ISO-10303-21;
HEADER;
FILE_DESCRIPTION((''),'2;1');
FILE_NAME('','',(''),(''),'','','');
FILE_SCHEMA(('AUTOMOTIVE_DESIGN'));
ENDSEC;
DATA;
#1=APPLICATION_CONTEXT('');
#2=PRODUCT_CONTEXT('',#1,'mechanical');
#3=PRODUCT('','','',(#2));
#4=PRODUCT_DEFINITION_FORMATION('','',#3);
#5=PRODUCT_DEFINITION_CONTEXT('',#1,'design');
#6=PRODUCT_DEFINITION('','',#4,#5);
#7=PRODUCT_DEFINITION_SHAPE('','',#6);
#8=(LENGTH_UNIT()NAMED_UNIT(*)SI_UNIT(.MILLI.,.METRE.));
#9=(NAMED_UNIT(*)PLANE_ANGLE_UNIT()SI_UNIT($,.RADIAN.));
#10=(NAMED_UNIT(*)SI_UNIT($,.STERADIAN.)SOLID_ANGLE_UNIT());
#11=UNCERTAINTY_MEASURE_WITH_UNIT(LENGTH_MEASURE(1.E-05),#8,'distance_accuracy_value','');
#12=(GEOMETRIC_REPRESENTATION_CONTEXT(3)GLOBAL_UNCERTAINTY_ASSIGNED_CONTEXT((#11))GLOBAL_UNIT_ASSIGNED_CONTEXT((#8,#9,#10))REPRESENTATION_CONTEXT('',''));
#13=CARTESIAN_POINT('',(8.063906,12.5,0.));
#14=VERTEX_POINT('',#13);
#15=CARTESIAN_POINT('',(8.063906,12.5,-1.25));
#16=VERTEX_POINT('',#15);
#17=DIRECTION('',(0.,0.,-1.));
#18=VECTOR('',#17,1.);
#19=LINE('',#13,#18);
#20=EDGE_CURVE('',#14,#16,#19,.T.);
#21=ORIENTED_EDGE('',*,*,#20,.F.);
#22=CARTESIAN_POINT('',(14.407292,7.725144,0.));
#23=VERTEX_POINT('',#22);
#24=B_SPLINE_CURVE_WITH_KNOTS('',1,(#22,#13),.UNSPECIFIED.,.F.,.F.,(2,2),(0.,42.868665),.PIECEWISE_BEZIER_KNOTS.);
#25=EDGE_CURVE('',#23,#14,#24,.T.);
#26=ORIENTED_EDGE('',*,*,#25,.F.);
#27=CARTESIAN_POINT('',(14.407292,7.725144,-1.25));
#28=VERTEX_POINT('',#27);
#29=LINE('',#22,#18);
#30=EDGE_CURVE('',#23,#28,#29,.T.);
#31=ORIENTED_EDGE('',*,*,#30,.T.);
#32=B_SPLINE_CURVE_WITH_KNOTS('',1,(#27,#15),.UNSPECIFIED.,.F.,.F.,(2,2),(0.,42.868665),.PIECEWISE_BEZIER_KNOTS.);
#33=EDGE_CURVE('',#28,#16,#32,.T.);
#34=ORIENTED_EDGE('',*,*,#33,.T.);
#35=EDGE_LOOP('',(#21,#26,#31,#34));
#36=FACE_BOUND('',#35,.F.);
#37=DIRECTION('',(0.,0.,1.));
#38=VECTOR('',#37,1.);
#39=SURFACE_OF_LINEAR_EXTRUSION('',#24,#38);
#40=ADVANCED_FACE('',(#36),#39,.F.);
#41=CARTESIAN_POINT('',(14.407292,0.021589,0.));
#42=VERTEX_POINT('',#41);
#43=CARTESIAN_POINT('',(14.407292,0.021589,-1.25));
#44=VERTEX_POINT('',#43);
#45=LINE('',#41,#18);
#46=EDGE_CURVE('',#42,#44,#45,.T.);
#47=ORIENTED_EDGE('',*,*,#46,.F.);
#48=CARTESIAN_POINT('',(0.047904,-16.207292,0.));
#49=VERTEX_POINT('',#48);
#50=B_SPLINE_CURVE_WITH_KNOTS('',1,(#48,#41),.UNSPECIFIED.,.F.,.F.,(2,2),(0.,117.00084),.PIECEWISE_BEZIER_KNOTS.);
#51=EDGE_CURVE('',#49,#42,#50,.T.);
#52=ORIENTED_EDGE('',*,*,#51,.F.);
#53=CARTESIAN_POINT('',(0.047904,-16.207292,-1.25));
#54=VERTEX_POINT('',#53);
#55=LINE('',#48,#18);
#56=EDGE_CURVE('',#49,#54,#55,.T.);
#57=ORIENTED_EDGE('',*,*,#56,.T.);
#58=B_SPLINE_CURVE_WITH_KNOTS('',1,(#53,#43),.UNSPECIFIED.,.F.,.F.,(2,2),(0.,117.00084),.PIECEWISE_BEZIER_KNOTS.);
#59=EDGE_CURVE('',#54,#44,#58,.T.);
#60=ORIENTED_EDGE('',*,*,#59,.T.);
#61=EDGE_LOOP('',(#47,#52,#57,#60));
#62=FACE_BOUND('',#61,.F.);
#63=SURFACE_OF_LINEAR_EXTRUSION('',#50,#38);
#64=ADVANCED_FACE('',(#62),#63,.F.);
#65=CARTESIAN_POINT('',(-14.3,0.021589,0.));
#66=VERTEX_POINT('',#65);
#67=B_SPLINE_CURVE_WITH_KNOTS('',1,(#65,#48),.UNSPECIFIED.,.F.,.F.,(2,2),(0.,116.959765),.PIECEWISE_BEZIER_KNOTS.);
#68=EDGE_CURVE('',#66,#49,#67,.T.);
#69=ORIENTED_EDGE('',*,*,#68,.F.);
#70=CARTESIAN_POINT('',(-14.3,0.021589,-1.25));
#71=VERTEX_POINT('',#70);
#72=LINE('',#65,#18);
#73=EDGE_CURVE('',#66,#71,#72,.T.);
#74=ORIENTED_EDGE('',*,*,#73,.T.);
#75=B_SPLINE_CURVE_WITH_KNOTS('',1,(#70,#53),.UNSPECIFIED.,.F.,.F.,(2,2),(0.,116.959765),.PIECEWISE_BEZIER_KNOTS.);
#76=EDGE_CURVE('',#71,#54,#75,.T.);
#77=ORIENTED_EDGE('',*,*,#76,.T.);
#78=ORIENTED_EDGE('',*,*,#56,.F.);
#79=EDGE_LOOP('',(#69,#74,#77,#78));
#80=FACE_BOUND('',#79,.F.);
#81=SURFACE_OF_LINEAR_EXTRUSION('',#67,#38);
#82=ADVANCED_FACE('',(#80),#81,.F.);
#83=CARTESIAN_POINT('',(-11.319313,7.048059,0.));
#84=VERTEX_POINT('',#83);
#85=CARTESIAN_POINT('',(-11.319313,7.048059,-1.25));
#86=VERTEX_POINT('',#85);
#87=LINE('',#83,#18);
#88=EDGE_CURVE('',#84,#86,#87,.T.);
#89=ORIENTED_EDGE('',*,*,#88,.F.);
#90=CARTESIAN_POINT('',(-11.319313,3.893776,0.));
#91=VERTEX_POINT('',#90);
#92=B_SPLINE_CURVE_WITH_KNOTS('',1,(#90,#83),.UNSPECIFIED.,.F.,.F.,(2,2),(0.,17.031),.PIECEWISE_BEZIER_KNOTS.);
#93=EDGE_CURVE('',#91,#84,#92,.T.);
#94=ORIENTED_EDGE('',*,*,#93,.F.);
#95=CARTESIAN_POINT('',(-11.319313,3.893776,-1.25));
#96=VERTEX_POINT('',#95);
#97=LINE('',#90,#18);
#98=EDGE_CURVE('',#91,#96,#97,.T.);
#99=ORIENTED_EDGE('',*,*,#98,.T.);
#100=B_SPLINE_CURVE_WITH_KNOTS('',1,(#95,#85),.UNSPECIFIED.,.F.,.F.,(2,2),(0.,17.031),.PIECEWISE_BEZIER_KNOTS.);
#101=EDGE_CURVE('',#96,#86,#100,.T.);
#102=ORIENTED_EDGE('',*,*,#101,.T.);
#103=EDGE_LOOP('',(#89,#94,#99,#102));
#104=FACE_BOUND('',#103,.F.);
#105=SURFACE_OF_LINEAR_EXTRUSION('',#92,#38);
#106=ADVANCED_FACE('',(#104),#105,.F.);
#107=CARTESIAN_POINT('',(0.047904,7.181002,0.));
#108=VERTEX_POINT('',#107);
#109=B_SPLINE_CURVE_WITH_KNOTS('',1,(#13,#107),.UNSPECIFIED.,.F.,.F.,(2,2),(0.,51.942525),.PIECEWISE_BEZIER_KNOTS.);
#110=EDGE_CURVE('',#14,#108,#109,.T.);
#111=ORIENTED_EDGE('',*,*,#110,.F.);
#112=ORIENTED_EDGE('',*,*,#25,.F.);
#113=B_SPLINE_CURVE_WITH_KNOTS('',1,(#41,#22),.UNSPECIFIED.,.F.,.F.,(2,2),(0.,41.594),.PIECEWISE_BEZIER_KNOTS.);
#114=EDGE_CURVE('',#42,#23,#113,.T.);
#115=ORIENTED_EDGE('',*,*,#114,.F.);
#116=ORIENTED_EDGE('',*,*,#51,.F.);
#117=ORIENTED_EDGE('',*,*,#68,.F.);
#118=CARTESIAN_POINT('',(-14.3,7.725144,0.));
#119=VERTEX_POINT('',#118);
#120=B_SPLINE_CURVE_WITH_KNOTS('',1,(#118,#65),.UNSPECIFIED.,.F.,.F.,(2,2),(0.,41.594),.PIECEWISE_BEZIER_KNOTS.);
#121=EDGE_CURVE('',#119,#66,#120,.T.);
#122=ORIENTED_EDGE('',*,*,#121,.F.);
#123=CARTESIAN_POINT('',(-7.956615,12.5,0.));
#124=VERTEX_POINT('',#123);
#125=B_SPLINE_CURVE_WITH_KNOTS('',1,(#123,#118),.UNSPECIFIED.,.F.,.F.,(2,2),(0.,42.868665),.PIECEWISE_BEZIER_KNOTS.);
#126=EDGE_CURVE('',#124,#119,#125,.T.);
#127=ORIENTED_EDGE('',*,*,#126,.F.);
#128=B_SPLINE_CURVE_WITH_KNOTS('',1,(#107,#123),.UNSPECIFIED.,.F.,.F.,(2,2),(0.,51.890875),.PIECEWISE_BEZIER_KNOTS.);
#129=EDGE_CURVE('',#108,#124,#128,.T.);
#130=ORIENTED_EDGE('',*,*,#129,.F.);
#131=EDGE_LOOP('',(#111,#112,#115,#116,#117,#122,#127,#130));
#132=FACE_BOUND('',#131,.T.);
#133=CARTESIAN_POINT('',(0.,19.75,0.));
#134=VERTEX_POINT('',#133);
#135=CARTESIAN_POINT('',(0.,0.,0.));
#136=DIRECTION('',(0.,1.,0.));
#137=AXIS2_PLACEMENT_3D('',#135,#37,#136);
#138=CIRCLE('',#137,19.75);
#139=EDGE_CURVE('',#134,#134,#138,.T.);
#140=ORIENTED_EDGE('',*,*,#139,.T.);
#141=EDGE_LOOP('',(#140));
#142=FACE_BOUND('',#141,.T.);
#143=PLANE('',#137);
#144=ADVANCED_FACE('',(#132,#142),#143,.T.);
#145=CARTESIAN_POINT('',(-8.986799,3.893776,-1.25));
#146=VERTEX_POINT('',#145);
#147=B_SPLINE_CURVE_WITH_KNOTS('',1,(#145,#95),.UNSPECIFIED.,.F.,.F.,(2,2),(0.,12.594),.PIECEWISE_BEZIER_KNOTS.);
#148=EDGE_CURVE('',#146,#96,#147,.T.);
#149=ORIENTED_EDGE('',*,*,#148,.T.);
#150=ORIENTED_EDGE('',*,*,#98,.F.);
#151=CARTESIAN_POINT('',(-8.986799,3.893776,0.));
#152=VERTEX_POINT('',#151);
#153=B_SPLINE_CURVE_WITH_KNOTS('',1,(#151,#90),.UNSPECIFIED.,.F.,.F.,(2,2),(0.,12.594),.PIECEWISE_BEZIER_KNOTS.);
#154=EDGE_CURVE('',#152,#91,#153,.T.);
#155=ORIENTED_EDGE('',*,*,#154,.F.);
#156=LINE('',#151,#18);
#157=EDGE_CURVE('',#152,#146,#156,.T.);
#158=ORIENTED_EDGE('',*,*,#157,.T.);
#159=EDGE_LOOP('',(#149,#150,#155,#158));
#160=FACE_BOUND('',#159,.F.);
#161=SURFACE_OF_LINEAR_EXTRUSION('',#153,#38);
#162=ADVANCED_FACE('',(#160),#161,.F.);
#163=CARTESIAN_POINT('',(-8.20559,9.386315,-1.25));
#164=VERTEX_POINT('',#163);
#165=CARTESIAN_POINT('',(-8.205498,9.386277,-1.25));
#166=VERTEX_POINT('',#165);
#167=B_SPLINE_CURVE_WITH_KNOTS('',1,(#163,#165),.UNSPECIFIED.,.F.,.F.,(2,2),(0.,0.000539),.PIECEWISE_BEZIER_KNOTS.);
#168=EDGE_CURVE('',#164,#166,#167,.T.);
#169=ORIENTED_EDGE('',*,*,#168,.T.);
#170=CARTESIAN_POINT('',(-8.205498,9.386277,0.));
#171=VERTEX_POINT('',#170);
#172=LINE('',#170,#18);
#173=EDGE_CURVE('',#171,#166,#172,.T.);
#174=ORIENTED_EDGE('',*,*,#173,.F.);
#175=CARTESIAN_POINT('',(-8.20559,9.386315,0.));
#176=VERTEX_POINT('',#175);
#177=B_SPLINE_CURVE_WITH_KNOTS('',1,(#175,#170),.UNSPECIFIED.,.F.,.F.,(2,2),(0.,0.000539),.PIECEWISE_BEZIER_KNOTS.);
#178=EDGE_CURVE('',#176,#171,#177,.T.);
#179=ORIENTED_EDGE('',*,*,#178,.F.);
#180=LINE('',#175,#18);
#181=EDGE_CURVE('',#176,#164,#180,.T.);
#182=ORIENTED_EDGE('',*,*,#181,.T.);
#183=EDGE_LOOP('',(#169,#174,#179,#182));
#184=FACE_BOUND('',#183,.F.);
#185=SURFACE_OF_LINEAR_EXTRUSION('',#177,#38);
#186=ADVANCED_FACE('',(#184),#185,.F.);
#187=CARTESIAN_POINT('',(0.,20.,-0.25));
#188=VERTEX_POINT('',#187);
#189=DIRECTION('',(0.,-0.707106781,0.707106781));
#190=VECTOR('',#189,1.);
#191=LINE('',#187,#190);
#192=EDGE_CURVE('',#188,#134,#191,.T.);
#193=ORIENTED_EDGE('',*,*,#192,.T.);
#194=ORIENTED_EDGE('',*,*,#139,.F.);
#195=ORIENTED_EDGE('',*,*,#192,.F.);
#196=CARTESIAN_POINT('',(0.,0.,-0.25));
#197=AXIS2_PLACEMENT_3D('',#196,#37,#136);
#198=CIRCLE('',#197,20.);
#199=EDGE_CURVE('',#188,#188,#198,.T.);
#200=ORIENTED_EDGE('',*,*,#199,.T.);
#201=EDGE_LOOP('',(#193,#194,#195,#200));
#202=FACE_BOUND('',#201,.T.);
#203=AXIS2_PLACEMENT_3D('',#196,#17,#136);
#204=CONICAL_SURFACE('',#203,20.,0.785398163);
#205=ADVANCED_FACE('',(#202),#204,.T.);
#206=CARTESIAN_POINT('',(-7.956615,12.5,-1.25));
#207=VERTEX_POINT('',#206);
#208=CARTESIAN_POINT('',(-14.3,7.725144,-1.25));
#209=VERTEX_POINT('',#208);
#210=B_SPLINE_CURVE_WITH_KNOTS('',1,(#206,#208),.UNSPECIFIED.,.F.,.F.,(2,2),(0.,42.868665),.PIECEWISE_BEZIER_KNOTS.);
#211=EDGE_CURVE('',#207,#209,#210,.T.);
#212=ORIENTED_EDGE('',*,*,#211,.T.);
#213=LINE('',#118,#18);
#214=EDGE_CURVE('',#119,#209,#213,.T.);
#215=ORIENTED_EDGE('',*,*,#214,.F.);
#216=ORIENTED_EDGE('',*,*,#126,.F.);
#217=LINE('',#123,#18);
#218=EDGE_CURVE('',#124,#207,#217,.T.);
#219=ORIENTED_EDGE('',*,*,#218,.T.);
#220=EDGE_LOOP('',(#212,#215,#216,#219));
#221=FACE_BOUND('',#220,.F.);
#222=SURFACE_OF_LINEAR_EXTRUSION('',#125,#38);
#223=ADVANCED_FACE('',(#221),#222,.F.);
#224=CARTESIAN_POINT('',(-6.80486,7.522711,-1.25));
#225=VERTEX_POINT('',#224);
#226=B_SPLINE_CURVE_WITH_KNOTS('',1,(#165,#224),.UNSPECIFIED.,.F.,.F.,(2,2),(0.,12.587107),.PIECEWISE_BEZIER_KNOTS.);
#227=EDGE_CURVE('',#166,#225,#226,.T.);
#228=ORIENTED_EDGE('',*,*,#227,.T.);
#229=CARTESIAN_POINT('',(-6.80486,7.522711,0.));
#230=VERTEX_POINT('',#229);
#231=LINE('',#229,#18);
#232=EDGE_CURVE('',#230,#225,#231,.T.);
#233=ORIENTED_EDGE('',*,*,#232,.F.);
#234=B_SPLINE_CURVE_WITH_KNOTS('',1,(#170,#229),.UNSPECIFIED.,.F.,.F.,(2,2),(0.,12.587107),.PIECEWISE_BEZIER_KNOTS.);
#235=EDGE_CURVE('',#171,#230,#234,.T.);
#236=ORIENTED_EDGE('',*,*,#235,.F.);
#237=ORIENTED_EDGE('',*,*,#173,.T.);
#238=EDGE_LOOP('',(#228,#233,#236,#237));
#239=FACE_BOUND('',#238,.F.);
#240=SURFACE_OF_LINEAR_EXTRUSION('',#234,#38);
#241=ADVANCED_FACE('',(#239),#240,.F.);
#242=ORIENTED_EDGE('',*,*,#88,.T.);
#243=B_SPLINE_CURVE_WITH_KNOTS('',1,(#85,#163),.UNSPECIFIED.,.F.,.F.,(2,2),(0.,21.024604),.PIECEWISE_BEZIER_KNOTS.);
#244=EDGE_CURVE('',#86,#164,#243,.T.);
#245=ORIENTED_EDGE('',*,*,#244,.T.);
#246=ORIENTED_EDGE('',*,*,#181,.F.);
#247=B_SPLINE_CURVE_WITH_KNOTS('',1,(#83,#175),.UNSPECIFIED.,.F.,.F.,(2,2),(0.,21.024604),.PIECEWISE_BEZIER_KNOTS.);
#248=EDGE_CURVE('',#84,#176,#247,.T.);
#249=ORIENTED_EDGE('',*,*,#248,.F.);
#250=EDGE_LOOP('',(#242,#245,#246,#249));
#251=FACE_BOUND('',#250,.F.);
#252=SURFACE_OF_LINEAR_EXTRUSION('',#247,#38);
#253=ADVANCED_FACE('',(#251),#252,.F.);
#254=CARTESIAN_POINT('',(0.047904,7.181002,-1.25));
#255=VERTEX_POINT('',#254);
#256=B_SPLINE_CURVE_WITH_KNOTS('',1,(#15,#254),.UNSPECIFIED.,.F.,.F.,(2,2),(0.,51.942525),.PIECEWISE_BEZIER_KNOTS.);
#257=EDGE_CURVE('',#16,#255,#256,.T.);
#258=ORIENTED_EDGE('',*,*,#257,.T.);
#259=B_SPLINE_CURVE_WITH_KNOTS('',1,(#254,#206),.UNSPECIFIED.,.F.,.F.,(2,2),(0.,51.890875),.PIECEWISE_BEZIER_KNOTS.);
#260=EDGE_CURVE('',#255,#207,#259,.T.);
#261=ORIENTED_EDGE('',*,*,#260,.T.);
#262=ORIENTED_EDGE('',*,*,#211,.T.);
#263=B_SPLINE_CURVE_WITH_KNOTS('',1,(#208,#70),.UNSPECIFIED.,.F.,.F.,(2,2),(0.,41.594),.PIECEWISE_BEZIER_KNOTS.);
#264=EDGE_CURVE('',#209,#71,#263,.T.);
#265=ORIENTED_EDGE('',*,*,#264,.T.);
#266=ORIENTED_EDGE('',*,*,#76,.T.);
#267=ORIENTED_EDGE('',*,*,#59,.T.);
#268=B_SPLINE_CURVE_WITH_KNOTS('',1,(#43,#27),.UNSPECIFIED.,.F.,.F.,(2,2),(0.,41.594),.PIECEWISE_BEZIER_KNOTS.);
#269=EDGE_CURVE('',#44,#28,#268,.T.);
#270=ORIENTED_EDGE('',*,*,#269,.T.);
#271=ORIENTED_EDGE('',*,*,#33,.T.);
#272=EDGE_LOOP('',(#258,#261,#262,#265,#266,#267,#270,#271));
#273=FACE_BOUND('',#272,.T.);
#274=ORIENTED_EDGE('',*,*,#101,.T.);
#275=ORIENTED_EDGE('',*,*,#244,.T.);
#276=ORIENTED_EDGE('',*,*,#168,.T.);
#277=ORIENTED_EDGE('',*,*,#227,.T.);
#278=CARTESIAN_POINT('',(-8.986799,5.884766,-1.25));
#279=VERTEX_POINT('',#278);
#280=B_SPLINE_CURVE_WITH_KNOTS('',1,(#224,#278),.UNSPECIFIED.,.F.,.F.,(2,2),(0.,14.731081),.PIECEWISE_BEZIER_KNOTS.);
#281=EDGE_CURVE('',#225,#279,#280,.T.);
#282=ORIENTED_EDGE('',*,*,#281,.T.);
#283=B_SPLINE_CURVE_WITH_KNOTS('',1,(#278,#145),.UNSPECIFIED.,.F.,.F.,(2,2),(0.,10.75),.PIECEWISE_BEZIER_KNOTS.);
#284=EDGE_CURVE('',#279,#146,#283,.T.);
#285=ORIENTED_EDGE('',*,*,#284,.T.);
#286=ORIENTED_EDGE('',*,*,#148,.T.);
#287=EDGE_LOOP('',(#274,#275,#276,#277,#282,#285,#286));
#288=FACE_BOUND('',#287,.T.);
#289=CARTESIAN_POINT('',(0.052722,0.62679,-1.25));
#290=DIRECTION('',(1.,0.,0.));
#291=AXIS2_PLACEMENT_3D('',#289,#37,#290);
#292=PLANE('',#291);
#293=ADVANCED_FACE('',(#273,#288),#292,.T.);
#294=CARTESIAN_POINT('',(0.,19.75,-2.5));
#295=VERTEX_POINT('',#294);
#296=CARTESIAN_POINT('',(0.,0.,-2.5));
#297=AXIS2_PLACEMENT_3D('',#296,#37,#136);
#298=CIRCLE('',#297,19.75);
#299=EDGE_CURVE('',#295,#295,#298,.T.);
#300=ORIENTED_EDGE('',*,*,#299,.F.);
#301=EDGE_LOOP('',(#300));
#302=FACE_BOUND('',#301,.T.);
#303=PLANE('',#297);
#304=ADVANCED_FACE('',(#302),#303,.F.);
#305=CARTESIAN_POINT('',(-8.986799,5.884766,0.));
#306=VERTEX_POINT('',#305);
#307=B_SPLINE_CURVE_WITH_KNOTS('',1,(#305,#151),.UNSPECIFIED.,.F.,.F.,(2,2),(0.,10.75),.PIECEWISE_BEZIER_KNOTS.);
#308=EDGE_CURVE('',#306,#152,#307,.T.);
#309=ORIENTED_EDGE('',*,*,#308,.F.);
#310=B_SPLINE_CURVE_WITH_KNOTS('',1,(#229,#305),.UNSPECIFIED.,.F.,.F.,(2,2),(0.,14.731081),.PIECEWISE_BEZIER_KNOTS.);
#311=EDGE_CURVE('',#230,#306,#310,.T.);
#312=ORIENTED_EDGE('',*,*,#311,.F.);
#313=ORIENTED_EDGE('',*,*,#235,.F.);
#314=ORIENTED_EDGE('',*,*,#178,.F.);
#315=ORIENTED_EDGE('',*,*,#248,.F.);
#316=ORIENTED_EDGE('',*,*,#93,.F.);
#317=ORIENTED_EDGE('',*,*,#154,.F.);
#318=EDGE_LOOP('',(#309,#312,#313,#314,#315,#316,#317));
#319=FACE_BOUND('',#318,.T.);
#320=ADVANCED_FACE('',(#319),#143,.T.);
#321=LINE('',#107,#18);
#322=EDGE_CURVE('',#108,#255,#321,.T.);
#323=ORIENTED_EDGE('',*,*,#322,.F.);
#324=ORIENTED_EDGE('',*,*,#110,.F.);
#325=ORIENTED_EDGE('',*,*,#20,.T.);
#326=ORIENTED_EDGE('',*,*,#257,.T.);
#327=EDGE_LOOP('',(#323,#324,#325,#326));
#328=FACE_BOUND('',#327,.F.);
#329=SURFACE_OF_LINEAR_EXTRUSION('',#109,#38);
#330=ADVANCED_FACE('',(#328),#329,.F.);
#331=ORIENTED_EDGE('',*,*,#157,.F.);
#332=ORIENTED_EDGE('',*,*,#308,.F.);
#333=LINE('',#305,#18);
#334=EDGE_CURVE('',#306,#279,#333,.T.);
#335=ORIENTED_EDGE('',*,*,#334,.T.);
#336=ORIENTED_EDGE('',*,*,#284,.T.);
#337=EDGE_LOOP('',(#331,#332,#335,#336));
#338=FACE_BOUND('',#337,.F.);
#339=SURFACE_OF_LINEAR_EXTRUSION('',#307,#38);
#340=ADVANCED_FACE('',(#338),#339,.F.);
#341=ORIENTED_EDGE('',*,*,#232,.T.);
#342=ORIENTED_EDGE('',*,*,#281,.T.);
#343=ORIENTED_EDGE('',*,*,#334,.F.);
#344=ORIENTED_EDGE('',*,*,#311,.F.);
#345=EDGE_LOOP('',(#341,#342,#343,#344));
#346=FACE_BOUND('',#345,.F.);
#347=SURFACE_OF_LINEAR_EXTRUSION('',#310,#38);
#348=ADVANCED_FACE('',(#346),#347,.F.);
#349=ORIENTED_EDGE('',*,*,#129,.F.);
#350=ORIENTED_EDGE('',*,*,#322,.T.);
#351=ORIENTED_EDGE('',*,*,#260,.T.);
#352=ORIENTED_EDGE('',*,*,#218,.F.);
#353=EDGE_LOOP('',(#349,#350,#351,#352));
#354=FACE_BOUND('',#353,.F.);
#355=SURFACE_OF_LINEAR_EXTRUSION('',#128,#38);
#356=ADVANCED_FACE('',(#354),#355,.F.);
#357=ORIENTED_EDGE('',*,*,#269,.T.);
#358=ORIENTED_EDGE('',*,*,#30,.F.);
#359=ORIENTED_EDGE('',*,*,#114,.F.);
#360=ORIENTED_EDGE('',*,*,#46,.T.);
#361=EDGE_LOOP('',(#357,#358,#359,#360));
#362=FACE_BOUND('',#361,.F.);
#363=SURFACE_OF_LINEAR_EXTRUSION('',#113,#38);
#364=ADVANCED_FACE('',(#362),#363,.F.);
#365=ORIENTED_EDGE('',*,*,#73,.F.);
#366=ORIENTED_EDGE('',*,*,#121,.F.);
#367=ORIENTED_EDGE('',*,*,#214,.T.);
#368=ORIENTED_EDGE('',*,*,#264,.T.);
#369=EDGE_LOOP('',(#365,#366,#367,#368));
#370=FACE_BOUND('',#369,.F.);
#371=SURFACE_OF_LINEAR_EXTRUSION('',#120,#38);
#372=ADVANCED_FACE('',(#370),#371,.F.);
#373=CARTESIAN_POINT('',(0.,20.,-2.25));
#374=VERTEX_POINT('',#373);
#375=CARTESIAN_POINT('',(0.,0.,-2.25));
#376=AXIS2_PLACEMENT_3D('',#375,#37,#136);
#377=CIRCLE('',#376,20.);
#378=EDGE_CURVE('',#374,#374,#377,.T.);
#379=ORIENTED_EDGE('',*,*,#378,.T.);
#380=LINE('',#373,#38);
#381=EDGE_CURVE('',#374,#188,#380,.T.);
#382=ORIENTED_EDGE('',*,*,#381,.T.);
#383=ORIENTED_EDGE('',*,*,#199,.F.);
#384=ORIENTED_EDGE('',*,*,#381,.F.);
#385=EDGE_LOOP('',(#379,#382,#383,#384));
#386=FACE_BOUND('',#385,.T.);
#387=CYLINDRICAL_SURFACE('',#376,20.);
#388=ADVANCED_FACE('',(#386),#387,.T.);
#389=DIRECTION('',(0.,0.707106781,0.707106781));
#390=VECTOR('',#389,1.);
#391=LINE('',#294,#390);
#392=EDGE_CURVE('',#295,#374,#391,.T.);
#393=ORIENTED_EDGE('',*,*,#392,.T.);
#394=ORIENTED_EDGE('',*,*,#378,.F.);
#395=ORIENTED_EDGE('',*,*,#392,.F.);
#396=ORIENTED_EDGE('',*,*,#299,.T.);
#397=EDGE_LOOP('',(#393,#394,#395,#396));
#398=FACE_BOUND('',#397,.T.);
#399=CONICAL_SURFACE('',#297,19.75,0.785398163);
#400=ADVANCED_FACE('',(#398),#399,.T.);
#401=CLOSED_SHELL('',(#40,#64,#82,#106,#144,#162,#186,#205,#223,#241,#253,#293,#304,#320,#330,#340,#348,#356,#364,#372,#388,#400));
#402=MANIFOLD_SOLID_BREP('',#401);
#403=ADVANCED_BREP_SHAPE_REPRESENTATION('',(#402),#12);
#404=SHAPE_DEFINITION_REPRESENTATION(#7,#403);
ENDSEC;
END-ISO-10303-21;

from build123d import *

# Parameters (mm, degrees)
POCKET_DEPTH = 1.25


with BuildPart() as part:
    # Sketch (on DatumPlane) → Revolution (revolve)
    with BuildSketch(Plane.YZ):
        Polygon((0, 0), (0, -2.5), (19.75, -2.5), (20, -2.25), (20, -0.25), (19.75, 0), align=None)
    revolve(axis=Axis((0, 0, 0), (0, 0, 1)))

    # Sketch005 → Pocket (cut)
    with BuildSketch(Plane.XY):
        with BuildLine():
            add(Edge.make_bspline(
                [(-7.956615, 12.5), (-14.3, 7.725144)],
                knots=[0, 0, 42.868665, 42.868665], degree=1))
            add(Edge.make_bspline(
                [(-14.3, 7.725144), (-14.3, 0.021589)],
                knots=[0, 0, 41.594, 41.594], degree=1))
            add(Edge.make_bspline(
                [(-14.3, 0.021589), (0.047904, -16.207292)],
                knots=[0, 0, 116.959765, 116.959765], degree=1))
            add(Edge.make_bspline(
                [(0.047904, -16.207292), (14.407292, 0.021589)],
                knots=[0, 0, 117.00084, 117.00084], degree=1))
            add(Edge.make_bspline(
                [(14.407292, 0.021589), (14.407292, 7.725144)],
                knots=[0, 0, 41.594, 41.594], degree=1))
            add(Edge.make_bspline(
                [(14.407292, 7.725144), (8.063906, 12.5)],
                knots=[0, 0, 42.868665, 42.868665], degree=1))
            add(Edge.make_bspline(
                [(8.063906, 12.5), (0.047904, 7.181002)],
                knots=[0, 0, 51.942525, 51.942525], degree=1))
            add(Edge.make_bspline(
                [(0.047904, 7.181002), (-7.956615, 12.5)],
                knots=[0, 0, 51.890875, 51.890875], degree=1))
        make_face()
        with BuildLine():
            add(Edge.make_bspline(
                [(-8.205498, 9.386277), (-6.80486, 7.522711)],
                knots=[0, 0, 12.587107, 12.587107], degree=1))
            add(Edge.make_bspline(
                [(-6.80486, 7.522711), (-8.986799, 5.884766)],
                knots=[0, 0, 14.731081, 14.731081], degree=1))
            add(Edge.make_bspline(
                [(-8.986799, 5.884766), (-8.986799, 3.893776)],
                knots=[0, 0, 10.75, 10.75], degree=1))
            add(Edge.make_bspline(
                [(-8.986799, 3.893776), (-11.319313, 3.893776)],
                knots=[0, 0, 12.594, 12.594], degree=1))
            add(Edge.make_bspline(
                [(-11.319313, 3.893776), (-11.319313, 7.048059)],
                knots=[0, 0, 17.031, 17.031], degree=1))
            add(Edge.make_bspline(
                [(-11.319313, 7.048059), (-8.20559, 9.386315)],
                knots=[0, 0, 21.024604, 21.024604], degree=1))
            add(Edge.make_bspline(
                [(-8.20559, 9.386315), (-8.205498, 9.386277)],
                knots=[0, 0, 0.000539, 0.000539], degree=1))
        make_face(mode=Mode.SUBTRACT)
    extrude(amount=-POCKET_DEPTH, mode=Mode.SUBTRACT)


solid = part.part
